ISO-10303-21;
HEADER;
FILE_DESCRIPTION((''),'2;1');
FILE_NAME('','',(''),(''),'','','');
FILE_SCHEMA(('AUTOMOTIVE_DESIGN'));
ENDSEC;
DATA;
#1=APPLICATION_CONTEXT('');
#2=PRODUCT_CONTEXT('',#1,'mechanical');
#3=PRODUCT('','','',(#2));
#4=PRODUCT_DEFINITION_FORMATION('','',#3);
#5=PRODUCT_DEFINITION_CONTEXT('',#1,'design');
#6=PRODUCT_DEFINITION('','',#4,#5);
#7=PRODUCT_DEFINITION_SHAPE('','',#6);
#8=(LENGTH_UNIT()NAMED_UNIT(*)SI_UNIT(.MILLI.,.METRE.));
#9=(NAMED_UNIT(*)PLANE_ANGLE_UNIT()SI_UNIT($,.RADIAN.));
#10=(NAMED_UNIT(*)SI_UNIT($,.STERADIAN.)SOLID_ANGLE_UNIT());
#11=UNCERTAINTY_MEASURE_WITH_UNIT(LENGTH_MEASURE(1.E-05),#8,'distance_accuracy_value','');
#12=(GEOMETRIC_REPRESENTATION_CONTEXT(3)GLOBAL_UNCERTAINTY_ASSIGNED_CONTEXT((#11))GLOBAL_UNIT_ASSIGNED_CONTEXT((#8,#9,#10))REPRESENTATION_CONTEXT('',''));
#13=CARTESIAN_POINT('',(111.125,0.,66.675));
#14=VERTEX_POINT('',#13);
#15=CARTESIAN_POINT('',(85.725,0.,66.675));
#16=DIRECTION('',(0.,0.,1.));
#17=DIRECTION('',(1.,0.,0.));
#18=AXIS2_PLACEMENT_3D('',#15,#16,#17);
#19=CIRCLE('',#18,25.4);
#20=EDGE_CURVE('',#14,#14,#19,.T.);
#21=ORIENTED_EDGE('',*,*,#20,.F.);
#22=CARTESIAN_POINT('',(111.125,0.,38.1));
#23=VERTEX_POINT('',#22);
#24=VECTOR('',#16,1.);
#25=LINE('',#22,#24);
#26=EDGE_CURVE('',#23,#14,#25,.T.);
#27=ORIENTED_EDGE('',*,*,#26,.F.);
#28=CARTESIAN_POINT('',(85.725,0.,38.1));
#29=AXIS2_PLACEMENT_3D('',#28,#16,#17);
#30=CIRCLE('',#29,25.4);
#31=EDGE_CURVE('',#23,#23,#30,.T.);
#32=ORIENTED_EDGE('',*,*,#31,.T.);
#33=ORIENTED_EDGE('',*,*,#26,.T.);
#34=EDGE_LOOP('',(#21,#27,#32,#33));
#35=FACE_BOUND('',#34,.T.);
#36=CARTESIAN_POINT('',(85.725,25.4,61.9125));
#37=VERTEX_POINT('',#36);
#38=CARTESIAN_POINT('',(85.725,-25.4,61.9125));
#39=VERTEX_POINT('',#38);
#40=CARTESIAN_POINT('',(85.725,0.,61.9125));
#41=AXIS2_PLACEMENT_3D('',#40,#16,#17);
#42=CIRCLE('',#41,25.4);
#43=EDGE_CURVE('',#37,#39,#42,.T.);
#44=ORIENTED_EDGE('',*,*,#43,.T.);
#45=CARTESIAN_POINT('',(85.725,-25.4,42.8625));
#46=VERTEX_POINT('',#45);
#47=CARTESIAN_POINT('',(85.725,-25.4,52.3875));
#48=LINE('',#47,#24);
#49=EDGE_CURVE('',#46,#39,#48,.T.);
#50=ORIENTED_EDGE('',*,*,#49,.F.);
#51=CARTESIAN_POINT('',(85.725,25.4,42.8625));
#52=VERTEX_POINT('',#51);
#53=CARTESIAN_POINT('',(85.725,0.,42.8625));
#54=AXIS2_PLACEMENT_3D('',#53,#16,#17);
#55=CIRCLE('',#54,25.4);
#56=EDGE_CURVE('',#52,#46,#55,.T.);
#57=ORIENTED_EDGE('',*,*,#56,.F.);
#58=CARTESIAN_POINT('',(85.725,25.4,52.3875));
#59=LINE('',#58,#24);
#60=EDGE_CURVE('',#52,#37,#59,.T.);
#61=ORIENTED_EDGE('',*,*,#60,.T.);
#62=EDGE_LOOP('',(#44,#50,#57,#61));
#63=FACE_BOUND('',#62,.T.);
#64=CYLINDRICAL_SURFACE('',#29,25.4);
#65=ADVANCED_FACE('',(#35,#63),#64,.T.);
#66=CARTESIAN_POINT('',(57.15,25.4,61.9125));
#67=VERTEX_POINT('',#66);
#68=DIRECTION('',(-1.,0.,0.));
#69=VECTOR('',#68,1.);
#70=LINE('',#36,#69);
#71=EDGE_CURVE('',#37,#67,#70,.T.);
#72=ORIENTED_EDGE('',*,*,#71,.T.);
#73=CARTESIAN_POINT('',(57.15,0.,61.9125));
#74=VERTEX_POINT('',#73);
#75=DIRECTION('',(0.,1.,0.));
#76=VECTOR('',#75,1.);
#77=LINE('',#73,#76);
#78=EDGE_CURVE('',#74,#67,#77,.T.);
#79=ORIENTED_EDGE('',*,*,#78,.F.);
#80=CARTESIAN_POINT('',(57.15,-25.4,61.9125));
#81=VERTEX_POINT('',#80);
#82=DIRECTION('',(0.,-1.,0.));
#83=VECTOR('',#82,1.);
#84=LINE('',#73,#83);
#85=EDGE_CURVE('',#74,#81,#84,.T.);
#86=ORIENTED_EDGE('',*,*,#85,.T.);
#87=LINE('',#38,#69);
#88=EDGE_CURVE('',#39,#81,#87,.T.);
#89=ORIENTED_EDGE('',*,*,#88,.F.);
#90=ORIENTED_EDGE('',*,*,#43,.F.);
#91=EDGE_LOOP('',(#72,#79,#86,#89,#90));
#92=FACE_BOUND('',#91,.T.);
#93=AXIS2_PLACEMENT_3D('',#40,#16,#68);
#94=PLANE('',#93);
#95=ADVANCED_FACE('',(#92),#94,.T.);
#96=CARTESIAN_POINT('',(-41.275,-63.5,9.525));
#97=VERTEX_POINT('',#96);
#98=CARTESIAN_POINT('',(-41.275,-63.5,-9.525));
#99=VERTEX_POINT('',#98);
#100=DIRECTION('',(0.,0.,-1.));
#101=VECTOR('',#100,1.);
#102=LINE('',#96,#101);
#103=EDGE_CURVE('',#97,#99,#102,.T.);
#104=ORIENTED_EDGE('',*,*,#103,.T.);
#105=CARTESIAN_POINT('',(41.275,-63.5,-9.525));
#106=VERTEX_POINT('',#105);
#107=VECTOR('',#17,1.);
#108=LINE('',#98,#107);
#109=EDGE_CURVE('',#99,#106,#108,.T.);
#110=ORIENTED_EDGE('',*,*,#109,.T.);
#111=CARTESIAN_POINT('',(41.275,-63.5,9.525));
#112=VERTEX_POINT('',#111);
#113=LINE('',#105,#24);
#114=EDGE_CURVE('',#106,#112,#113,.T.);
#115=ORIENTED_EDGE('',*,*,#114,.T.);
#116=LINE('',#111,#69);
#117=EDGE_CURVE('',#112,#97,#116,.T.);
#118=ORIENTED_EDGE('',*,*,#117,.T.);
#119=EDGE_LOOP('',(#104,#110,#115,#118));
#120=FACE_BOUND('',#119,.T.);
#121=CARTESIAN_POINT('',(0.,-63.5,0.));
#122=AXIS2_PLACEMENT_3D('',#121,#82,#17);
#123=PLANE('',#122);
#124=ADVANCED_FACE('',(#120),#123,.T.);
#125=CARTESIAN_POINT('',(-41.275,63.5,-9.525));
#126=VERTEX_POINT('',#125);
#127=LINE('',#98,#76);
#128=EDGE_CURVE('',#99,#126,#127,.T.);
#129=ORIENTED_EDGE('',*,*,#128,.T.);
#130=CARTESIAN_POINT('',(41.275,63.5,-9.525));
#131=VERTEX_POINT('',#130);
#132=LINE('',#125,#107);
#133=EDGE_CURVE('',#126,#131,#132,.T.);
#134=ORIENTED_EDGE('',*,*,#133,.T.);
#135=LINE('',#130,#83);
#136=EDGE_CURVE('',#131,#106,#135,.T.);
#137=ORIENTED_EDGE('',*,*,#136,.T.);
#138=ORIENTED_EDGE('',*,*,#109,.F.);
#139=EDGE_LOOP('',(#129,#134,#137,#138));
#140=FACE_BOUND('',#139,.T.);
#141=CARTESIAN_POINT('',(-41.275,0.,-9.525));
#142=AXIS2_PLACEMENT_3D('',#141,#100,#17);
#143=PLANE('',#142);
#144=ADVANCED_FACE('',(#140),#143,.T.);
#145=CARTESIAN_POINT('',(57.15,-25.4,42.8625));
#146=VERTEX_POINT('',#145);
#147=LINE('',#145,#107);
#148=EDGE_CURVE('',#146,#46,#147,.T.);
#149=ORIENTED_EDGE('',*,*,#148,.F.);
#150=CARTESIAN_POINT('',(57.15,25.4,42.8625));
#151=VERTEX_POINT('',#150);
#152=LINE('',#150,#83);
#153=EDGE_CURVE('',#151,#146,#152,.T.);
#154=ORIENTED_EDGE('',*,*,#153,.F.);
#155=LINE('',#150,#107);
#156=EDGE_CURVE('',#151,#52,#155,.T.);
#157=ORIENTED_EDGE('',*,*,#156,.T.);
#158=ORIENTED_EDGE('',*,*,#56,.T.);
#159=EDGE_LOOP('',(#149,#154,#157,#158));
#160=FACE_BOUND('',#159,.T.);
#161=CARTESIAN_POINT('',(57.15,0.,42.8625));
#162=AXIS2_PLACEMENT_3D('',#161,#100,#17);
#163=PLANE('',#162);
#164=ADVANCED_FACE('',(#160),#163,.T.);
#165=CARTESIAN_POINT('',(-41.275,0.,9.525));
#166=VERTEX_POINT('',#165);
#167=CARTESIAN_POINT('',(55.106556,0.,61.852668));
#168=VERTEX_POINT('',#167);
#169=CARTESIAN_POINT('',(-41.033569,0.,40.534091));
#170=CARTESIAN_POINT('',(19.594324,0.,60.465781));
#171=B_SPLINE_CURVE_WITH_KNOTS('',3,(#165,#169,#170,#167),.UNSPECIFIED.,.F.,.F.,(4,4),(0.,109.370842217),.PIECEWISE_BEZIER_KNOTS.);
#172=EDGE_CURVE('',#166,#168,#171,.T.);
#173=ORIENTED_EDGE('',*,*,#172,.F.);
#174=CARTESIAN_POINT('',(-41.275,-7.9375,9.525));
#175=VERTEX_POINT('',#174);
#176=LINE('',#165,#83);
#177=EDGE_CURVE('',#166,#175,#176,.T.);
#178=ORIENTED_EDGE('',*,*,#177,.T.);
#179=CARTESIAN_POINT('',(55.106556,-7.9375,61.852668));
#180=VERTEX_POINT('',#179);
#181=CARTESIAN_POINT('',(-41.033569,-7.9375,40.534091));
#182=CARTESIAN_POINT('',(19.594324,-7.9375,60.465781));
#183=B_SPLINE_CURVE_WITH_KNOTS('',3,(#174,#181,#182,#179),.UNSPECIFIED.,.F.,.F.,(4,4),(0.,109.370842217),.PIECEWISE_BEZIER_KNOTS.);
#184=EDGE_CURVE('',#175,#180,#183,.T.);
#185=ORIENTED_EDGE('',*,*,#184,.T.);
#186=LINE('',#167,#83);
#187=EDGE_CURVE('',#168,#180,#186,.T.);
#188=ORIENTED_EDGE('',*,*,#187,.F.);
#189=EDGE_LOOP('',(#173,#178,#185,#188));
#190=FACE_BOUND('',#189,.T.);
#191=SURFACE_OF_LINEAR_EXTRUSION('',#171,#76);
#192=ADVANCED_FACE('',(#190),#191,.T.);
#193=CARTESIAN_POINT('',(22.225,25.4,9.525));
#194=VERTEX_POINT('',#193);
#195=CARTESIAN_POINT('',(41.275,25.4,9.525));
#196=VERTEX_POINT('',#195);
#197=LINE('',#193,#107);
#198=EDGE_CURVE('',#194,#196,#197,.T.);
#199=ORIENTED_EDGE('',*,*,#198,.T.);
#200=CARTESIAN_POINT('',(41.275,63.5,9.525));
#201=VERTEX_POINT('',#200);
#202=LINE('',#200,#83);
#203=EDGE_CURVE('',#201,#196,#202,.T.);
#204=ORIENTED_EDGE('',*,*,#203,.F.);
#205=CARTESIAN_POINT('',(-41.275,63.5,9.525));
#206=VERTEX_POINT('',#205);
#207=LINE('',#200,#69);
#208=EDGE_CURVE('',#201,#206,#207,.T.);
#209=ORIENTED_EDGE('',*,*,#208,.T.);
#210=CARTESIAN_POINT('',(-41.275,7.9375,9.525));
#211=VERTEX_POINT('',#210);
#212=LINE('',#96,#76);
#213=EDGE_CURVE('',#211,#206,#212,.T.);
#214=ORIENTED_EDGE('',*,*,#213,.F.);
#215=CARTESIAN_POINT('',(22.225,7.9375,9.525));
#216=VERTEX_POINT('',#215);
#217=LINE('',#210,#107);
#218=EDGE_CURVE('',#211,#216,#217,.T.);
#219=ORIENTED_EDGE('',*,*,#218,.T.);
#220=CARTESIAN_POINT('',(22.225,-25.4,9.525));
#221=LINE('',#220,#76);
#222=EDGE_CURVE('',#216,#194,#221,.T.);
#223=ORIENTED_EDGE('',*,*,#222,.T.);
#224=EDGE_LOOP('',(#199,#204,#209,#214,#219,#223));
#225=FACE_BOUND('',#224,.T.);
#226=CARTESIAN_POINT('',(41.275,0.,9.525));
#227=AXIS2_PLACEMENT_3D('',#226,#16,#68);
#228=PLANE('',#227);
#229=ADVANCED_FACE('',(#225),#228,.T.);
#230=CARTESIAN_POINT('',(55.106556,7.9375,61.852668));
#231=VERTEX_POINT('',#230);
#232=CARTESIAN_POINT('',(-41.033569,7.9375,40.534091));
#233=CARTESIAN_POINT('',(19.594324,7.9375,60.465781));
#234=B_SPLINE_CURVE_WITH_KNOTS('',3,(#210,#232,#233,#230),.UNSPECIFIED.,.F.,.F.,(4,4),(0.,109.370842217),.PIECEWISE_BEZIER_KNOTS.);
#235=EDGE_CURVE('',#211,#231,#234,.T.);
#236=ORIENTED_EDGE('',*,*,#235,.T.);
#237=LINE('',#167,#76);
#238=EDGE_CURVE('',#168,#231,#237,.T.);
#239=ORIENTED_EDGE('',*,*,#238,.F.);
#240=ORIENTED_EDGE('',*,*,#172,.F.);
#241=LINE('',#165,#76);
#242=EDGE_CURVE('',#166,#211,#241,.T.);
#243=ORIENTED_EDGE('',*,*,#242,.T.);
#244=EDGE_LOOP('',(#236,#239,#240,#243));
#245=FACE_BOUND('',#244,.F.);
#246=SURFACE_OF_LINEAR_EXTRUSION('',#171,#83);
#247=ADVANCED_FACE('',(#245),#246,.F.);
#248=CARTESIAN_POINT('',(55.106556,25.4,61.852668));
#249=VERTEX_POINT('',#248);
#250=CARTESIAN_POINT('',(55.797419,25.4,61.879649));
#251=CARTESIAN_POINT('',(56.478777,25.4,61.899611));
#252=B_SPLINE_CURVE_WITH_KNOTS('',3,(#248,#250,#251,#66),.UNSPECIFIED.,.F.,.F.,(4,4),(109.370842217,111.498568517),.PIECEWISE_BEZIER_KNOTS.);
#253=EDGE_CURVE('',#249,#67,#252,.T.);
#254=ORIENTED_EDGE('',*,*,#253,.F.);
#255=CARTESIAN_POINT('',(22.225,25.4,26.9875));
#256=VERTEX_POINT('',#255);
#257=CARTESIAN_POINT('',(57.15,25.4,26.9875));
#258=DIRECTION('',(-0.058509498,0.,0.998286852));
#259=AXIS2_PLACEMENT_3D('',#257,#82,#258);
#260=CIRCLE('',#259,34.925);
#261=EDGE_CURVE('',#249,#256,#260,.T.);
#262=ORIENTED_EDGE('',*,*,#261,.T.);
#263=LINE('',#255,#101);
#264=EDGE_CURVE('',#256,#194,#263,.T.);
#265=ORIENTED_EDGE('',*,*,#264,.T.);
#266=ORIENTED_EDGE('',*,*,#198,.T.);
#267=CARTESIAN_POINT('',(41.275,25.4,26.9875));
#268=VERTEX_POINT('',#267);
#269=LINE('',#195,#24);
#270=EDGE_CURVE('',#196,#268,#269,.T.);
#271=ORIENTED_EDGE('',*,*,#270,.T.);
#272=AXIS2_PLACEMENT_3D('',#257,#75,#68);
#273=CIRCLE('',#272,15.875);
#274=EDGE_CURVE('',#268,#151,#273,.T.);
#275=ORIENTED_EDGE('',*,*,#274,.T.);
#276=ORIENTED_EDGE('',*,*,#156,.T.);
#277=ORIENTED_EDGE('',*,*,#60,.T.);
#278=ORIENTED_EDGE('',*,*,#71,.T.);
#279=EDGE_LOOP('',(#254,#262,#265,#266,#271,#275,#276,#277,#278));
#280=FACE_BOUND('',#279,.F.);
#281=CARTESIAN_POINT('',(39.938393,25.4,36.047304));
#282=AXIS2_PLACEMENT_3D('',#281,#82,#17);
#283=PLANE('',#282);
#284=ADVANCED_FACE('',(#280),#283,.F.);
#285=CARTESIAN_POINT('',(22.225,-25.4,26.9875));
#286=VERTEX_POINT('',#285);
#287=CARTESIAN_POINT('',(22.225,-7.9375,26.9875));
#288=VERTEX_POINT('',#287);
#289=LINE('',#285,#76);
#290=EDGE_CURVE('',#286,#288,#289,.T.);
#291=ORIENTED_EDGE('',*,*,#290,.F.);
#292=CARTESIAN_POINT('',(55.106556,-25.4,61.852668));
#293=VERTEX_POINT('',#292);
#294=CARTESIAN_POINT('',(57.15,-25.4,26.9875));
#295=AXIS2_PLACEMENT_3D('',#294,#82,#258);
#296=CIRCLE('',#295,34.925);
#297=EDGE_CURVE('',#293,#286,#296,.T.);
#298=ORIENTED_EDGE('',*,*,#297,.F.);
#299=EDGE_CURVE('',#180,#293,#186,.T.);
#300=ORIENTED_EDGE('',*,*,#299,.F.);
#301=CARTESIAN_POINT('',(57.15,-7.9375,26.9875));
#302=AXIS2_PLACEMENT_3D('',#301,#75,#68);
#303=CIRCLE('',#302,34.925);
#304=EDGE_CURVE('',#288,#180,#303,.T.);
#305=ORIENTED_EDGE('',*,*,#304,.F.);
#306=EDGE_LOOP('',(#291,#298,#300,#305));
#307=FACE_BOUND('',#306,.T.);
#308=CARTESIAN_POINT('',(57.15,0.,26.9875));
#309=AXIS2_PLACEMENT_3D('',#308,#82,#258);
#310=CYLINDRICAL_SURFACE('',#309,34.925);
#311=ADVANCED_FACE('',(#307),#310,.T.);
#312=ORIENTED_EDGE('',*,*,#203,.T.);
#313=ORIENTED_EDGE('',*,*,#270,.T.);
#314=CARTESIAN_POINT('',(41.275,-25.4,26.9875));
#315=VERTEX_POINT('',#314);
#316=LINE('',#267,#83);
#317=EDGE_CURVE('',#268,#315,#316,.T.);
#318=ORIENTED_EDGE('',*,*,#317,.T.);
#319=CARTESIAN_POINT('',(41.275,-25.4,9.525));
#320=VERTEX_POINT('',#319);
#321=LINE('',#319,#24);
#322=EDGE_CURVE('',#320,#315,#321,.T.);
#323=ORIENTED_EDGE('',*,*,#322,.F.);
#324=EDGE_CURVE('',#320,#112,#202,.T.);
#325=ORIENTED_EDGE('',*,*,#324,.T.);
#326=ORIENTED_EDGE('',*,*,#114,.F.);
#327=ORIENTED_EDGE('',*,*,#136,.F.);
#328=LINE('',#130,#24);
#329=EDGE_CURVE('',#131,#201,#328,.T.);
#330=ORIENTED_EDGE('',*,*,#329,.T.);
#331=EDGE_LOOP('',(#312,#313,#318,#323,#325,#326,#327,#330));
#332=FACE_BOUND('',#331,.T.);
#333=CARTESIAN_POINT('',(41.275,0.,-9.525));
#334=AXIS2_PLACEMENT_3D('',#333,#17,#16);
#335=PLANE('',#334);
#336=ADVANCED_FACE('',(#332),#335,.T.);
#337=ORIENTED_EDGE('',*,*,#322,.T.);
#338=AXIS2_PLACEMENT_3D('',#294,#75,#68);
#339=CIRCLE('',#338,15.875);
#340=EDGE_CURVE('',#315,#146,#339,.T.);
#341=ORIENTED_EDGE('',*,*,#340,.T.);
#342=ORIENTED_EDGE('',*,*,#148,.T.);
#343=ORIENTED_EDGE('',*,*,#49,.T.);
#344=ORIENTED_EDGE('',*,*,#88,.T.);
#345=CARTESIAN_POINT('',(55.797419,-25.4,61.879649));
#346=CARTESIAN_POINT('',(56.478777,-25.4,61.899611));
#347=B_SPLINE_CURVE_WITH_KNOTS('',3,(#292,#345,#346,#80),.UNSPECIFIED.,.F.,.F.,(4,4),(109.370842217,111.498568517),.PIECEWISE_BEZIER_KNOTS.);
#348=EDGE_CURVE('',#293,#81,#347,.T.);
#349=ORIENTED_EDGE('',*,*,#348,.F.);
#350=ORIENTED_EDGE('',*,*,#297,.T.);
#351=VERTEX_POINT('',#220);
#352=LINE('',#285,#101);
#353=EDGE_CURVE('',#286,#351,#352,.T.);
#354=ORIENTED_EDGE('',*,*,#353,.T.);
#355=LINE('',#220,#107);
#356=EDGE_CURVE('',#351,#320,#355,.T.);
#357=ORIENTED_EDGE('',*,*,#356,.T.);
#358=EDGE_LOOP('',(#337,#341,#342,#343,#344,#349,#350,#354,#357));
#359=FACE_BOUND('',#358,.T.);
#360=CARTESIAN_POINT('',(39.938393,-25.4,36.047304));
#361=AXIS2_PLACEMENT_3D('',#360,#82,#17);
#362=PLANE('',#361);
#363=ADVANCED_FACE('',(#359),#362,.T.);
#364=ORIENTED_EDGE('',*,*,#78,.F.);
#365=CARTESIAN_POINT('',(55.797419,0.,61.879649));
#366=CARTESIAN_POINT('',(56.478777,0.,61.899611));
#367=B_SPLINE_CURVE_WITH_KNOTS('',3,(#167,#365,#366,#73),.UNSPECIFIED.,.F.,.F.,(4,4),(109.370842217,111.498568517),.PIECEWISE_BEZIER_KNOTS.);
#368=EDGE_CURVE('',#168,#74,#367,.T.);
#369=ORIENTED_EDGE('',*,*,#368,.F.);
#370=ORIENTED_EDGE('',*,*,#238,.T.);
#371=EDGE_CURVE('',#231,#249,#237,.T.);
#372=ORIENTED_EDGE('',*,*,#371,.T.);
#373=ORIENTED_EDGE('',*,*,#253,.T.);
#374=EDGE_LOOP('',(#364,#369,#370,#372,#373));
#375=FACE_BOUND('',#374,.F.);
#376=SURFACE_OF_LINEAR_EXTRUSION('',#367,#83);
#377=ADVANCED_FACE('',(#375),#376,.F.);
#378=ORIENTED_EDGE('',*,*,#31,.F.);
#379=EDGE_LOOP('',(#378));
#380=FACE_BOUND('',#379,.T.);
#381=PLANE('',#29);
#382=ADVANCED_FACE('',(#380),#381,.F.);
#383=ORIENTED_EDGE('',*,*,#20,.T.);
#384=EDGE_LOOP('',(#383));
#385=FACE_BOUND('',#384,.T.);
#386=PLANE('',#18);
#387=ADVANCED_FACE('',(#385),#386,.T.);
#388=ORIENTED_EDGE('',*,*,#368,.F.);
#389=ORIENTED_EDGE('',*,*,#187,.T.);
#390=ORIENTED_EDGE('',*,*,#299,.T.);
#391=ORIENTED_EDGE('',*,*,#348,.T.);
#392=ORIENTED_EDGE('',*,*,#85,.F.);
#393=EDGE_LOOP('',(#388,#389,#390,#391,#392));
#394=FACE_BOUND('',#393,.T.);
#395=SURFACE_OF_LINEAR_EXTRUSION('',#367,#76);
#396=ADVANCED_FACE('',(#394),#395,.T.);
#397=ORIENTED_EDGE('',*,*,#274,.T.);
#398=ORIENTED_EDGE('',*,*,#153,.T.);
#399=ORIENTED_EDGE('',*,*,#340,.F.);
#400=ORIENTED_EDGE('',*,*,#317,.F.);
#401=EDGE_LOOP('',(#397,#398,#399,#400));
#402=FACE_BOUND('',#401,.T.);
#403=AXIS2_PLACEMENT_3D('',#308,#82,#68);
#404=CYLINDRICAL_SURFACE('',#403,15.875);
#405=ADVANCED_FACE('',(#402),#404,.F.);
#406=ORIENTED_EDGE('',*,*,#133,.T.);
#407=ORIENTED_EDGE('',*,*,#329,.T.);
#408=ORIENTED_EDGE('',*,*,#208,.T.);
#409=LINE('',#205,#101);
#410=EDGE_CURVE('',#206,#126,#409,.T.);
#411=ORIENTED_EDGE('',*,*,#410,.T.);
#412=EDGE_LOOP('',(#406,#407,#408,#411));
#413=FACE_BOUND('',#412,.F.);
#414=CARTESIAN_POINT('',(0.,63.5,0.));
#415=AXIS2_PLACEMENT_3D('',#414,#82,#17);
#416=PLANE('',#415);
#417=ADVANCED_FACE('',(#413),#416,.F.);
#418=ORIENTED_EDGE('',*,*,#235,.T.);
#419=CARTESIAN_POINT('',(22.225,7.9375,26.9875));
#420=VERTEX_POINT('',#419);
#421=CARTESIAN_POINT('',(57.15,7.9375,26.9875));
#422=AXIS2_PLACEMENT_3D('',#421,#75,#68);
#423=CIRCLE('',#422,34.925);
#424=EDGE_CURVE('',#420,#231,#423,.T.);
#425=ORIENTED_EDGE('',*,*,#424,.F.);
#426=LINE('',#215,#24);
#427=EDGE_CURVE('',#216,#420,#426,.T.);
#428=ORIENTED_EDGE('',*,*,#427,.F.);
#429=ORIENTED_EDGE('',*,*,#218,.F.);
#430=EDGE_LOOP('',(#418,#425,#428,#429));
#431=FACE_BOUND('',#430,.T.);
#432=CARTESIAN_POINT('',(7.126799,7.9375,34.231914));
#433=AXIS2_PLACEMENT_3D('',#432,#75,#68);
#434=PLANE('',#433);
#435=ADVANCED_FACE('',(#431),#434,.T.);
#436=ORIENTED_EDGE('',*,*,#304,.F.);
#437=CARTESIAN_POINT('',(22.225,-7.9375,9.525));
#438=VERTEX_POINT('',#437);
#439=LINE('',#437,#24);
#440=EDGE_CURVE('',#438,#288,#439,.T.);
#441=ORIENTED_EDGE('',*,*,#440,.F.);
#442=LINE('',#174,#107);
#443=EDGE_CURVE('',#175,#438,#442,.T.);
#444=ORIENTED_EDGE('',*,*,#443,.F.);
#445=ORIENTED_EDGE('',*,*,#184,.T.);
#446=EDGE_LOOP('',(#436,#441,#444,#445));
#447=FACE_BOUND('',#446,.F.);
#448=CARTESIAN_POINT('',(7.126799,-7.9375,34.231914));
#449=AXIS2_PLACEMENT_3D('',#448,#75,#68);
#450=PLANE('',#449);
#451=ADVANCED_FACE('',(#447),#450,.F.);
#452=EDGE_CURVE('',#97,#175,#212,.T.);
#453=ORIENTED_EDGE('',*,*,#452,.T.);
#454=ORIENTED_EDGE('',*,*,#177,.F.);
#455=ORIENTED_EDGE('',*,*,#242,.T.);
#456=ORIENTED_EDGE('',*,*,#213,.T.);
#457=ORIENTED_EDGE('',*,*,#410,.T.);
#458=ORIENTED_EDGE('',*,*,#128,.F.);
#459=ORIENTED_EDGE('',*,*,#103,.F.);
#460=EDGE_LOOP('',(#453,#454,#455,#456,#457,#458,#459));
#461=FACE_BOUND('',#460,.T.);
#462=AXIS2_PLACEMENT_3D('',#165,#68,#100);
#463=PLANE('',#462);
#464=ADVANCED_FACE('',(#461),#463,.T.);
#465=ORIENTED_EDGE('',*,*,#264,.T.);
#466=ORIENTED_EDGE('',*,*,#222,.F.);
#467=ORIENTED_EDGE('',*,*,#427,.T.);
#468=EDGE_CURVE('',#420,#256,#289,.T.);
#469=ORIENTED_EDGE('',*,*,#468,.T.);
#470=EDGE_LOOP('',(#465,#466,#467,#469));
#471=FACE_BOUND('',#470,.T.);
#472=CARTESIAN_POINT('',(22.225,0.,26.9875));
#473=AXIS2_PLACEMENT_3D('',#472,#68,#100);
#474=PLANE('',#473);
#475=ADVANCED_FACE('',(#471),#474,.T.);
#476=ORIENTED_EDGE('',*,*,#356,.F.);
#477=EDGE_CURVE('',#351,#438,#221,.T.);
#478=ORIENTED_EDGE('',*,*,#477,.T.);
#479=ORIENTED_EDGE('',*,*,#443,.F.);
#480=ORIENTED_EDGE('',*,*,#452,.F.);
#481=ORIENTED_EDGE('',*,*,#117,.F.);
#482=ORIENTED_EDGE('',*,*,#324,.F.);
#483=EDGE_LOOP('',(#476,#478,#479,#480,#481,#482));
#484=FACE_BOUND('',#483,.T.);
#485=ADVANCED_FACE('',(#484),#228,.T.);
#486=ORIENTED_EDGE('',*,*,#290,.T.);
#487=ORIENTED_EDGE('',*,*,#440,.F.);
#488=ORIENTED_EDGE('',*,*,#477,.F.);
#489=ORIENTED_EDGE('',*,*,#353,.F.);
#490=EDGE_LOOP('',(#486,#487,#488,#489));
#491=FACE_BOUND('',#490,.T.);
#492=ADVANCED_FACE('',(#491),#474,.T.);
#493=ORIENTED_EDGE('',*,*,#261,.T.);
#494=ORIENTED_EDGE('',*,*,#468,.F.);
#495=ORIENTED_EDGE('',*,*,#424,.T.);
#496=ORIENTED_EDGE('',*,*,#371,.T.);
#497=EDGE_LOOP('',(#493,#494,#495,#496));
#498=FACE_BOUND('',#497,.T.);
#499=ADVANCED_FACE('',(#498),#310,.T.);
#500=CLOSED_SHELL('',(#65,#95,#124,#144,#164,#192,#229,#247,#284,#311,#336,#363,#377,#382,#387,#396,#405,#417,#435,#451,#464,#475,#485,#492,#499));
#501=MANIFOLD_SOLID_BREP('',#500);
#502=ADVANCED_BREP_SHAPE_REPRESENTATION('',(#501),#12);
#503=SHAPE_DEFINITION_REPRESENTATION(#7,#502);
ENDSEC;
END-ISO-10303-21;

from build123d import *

# Parameters (mm, degrees)
F1_DEPTH = 63.5
F0_W     = 25.4
F0_H     = 19.05
F2_DEPTH = 25.4
F3_DEPTH = 7.9375


with BuildPart() as f1:
    # F0 (on Front) → F1 (new body, symmetric)
    with BuildSketch(Plane.XZ):
        Polygon((-41.275, -9.525), (41.275, -9.525), (41.275, 9.525), (22.225, 9.525), (-41.275, 9.525), align=None)
    extrude(amount=F1_DEPTH, both=True)

    # F0 (on Front) → F2 (join, symmetric)
    with BuildSketch(Plane.XZ):
        with BuildLine():
            Line((22.225, 9.525), (41.275, 9.525))
            Line((41.275, 9.525), (41.275, 26.9875))
            ThreePointArc((41.275, 26.9875), (45.9246798487, 38.2128201513), (57.15, 42.8625))
            Line((57.15, 42.8625), (60.325, 42.8625))
            Line((60.325, 42.8625), (60.325, 61.9125))
            Line((60.325, 61.9125), (57.15, 61.9125))
            add(Edge.make_bspline(
                [(55.1065557691, 61.8526683013), (55.7974191484, 61.8796491304), (56.4787770702, 61.8996113569), (57.15, 61.9125)],
                knots=[109.3708422168, 109.3708422168, 109.3708422168, 109.3708422168, 111.4985685166, 111.4985685166, 111.4985685166, 111.4985685166], degree=3))
            ThreePointArc((55.1065557691, 61.8526683013), (31.7420985246, 50.9498489587), (22.225, 26.9875))
            Line((22.225, 26.9875), (22.225, 9.525))
        make_face()
        with Locations((73.025, 52.3875)):
            Rectangle(F0_W, F0_H)
    extrude(amount=F2_DEPTH, both=True)

    # F0 (on Front) → F3 (join, symmetric)
    with BuildSketch(Plane.XZ):
        with BuildLine():
            add(Edge.make_bspline(
                [(-41.275, 9.525), (-41.0335689885, 40.5340906576), (19.5943239296, 60.4657812745), (55.1065557691, 61.8526683013)],
                knots=[0, 0, 0, 0, 109.3708422168, 109.3708422168, 109.3708422168, 109.3708422168], degree=3))
            Line((-41.275, 9.525), (22.225, 9.525))
            Line((22.225, 9.525), (22.225, 26.9875))
            ThreePointArc((22.225, 26.9875), (31.7420985246, 50.9498489587), (55.1065557691, 61.8526683013))
        make_face()
    extrude(amount=F3_DEPTH, both=True)

    # F0 (on Front) → F4 (revolve)
    with BuildSketch(Plane.XZ):
        Polygon((85.725, 61.9125), (85.725, 42.8625), (85.725, 38.1), (111.125, 38.1), (111.125, 66.675), (85.725, 66.675), align=None)
    revolve(axis=Axis((85.725, 0, 52.3875), (0, 0, 1)))


solid = f1.part
